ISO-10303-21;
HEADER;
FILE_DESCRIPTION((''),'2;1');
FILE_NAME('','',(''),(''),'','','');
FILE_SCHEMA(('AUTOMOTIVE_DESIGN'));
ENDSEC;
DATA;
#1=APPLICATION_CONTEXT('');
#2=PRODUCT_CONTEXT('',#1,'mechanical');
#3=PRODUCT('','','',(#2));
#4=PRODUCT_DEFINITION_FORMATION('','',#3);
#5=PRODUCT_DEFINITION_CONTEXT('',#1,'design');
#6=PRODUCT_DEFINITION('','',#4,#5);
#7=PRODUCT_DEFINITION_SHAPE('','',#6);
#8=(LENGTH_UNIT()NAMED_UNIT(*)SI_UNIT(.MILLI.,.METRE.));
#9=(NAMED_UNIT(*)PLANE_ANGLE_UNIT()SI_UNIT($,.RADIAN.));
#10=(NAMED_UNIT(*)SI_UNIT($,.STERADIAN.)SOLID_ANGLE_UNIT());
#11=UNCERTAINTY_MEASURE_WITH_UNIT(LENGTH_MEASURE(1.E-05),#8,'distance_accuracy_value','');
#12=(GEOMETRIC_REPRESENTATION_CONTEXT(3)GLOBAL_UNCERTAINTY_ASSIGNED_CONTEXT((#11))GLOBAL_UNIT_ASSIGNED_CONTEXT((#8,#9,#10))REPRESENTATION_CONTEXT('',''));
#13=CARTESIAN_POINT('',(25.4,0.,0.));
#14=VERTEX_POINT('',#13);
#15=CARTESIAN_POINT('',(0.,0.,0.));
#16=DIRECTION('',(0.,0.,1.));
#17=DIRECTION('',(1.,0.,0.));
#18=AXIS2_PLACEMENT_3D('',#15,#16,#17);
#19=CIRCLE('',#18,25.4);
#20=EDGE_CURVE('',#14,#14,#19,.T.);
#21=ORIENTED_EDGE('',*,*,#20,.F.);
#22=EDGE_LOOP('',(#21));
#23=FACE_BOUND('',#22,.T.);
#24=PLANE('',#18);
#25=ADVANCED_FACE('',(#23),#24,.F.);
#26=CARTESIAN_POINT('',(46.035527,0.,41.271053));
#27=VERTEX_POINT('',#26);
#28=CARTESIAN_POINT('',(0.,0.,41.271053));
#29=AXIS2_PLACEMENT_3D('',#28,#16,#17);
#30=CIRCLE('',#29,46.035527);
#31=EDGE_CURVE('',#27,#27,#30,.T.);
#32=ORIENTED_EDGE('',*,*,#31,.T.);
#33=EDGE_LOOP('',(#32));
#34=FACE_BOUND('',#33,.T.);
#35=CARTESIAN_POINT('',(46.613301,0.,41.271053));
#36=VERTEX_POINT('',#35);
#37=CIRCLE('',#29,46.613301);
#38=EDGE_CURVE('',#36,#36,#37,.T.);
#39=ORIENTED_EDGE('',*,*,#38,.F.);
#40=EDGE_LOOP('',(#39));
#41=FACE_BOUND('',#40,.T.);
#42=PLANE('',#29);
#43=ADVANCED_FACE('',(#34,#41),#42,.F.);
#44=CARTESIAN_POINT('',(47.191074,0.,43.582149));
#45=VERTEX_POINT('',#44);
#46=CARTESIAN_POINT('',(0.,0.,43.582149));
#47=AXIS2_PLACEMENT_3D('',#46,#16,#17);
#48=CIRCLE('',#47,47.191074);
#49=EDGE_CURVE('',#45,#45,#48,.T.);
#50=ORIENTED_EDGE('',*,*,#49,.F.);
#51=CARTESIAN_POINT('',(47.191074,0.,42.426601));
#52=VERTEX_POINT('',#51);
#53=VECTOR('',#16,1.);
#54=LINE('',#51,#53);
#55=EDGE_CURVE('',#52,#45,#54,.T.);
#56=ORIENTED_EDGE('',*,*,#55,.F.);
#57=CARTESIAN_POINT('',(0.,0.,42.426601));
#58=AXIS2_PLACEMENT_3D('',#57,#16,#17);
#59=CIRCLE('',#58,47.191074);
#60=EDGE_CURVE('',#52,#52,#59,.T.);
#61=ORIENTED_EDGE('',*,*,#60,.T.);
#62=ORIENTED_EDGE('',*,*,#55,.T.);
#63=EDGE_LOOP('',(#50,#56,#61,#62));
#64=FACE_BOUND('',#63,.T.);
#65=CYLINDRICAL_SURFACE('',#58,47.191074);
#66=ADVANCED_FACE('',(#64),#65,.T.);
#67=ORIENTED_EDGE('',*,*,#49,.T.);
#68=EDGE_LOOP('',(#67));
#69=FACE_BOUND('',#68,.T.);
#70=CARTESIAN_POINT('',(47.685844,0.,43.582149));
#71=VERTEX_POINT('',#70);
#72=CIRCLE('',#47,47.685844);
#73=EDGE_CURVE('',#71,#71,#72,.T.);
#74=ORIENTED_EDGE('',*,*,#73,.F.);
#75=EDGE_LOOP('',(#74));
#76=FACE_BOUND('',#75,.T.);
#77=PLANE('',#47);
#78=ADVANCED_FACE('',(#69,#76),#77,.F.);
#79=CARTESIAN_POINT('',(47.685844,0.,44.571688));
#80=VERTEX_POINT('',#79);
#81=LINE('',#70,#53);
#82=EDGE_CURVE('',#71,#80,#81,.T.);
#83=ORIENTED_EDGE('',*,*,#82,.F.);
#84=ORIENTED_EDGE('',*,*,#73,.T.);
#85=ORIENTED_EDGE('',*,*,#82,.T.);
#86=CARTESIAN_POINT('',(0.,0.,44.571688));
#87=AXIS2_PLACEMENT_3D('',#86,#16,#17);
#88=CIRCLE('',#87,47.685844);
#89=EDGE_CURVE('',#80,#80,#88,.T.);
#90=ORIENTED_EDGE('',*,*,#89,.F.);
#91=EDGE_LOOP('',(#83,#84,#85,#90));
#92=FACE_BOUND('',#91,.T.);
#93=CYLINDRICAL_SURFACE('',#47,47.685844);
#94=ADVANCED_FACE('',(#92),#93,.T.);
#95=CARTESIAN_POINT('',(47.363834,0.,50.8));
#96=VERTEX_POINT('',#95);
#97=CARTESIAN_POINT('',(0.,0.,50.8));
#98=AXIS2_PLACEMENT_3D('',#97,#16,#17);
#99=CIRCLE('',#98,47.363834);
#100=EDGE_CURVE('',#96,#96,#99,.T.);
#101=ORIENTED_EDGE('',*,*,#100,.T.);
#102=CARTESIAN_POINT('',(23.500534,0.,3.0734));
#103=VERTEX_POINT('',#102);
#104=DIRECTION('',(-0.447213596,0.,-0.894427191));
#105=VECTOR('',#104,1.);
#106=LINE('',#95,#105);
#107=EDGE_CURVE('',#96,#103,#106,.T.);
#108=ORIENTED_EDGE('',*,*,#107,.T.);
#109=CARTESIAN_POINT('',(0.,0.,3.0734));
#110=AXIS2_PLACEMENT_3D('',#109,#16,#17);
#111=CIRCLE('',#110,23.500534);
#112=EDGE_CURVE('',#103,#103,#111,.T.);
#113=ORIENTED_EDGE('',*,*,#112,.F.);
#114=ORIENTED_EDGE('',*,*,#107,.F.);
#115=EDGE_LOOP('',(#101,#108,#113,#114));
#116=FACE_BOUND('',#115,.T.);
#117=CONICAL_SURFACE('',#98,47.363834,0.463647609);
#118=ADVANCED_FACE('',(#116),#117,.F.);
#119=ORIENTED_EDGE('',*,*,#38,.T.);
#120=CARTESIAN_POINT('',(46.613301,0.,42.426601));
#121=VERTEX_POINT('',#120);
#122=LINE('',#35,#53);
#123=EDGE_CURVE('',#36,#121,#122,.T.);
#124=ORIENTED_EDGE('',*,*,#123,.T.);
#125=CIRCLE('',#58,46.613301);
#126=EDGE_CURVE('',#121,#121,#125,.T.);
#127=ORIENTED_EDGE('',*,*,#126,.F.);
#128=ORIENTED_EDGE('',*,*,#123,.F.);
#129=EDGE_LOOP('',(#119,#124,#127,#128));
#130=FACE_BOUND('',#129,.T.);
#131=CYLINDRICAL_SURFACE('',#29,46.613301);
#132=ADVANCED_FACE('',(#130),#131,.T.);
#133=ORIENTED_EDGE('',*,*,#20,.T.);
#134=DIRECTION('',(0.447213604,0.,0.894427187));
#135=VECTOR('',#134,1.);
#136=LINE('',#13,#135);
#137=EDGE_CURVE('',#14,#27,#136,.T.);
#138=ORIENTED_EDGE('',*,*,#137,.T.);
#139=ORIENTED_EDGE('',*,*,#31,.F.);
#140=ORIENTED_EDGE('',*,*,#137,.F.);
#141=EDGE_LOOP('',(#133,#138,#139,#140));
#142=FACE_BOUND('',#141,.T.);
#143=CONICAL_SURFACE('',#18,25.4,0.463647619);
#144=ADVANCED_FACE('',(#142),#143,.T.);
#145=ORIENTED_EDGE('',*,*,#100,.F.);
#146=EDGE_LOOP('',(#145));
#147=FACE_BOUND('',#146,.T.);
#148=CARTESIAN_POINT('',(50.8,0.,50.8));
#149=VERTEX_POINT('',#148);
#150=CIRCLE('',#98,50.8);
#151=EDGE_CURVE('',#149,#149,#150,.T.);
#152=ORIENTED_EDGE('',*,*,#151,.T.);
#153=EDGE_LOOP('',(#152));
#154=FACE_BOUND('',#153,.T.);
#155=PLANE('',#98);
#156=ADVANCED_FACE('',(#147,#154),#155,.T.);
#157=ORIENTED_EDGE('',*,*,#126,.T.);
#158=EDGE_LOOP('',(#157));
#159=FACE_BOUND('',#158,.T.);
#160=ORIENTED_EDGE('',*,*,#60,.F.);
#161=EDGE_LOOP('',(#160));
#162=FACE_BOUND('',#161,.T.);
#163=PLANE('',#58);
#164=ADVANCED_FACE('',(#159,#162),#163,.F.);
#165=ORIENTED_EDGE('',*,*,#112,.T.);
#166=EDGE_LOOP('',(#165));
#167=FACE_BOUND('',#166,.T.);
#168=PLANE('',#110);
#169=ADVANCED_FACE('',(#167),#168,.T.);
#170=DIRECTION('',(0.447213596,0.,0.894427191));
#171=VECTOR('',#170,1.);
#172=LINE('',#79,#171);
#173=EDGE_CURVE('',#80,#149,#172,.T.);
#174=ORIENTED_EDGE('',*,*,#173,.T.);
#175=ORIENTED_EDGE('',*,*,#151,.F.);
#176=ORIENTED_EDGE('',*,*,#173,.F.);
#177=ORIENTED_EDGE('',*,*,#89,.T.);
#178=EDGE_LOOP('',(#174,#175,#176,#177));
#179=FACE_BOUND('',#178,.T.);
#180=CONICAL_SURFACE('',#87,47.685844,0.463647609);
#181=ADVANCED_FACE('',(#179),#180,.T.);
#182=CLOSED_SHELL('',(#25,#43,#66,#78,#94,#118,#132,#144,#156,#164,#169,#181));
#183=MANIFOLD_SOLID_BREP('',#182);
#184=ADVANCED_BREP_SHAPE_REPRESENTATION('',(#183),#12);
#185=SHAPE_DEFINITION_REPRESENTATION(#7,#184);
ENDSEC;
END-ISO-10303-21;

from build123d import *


with BuildPart() as f1:
    # F0 (on Front) → F1 (revolve)
    with BuildSketch(Plane.XZ):
        Polygon((0, 3.0734), (0, 0), (25.4, 0), (46.035527, 41.271053), (46.613301, 42.426601), (47.191074, 43.582149), (47.685844, 44.571688), (50.8, 50.8), (47.363834, 50.8), (23.500534, 3.0734), align=None)
        Polygon((47.191074, 43.582149), (46.613301, 42.426601), (47.191074, 42.426601), align=None)
        Polygon((47.685844, 44.571688), (47.191074, 43.582149), (47.685844, 43.582149), align=None)
        Polygon((46.613301, 42.426601), (46.035527, 41.271053), (46.613301, 41.271053), align=None)
    revolve(axis=Axis((0, 0, 25.4), (0, 0, 1)))


solid = f1.part
